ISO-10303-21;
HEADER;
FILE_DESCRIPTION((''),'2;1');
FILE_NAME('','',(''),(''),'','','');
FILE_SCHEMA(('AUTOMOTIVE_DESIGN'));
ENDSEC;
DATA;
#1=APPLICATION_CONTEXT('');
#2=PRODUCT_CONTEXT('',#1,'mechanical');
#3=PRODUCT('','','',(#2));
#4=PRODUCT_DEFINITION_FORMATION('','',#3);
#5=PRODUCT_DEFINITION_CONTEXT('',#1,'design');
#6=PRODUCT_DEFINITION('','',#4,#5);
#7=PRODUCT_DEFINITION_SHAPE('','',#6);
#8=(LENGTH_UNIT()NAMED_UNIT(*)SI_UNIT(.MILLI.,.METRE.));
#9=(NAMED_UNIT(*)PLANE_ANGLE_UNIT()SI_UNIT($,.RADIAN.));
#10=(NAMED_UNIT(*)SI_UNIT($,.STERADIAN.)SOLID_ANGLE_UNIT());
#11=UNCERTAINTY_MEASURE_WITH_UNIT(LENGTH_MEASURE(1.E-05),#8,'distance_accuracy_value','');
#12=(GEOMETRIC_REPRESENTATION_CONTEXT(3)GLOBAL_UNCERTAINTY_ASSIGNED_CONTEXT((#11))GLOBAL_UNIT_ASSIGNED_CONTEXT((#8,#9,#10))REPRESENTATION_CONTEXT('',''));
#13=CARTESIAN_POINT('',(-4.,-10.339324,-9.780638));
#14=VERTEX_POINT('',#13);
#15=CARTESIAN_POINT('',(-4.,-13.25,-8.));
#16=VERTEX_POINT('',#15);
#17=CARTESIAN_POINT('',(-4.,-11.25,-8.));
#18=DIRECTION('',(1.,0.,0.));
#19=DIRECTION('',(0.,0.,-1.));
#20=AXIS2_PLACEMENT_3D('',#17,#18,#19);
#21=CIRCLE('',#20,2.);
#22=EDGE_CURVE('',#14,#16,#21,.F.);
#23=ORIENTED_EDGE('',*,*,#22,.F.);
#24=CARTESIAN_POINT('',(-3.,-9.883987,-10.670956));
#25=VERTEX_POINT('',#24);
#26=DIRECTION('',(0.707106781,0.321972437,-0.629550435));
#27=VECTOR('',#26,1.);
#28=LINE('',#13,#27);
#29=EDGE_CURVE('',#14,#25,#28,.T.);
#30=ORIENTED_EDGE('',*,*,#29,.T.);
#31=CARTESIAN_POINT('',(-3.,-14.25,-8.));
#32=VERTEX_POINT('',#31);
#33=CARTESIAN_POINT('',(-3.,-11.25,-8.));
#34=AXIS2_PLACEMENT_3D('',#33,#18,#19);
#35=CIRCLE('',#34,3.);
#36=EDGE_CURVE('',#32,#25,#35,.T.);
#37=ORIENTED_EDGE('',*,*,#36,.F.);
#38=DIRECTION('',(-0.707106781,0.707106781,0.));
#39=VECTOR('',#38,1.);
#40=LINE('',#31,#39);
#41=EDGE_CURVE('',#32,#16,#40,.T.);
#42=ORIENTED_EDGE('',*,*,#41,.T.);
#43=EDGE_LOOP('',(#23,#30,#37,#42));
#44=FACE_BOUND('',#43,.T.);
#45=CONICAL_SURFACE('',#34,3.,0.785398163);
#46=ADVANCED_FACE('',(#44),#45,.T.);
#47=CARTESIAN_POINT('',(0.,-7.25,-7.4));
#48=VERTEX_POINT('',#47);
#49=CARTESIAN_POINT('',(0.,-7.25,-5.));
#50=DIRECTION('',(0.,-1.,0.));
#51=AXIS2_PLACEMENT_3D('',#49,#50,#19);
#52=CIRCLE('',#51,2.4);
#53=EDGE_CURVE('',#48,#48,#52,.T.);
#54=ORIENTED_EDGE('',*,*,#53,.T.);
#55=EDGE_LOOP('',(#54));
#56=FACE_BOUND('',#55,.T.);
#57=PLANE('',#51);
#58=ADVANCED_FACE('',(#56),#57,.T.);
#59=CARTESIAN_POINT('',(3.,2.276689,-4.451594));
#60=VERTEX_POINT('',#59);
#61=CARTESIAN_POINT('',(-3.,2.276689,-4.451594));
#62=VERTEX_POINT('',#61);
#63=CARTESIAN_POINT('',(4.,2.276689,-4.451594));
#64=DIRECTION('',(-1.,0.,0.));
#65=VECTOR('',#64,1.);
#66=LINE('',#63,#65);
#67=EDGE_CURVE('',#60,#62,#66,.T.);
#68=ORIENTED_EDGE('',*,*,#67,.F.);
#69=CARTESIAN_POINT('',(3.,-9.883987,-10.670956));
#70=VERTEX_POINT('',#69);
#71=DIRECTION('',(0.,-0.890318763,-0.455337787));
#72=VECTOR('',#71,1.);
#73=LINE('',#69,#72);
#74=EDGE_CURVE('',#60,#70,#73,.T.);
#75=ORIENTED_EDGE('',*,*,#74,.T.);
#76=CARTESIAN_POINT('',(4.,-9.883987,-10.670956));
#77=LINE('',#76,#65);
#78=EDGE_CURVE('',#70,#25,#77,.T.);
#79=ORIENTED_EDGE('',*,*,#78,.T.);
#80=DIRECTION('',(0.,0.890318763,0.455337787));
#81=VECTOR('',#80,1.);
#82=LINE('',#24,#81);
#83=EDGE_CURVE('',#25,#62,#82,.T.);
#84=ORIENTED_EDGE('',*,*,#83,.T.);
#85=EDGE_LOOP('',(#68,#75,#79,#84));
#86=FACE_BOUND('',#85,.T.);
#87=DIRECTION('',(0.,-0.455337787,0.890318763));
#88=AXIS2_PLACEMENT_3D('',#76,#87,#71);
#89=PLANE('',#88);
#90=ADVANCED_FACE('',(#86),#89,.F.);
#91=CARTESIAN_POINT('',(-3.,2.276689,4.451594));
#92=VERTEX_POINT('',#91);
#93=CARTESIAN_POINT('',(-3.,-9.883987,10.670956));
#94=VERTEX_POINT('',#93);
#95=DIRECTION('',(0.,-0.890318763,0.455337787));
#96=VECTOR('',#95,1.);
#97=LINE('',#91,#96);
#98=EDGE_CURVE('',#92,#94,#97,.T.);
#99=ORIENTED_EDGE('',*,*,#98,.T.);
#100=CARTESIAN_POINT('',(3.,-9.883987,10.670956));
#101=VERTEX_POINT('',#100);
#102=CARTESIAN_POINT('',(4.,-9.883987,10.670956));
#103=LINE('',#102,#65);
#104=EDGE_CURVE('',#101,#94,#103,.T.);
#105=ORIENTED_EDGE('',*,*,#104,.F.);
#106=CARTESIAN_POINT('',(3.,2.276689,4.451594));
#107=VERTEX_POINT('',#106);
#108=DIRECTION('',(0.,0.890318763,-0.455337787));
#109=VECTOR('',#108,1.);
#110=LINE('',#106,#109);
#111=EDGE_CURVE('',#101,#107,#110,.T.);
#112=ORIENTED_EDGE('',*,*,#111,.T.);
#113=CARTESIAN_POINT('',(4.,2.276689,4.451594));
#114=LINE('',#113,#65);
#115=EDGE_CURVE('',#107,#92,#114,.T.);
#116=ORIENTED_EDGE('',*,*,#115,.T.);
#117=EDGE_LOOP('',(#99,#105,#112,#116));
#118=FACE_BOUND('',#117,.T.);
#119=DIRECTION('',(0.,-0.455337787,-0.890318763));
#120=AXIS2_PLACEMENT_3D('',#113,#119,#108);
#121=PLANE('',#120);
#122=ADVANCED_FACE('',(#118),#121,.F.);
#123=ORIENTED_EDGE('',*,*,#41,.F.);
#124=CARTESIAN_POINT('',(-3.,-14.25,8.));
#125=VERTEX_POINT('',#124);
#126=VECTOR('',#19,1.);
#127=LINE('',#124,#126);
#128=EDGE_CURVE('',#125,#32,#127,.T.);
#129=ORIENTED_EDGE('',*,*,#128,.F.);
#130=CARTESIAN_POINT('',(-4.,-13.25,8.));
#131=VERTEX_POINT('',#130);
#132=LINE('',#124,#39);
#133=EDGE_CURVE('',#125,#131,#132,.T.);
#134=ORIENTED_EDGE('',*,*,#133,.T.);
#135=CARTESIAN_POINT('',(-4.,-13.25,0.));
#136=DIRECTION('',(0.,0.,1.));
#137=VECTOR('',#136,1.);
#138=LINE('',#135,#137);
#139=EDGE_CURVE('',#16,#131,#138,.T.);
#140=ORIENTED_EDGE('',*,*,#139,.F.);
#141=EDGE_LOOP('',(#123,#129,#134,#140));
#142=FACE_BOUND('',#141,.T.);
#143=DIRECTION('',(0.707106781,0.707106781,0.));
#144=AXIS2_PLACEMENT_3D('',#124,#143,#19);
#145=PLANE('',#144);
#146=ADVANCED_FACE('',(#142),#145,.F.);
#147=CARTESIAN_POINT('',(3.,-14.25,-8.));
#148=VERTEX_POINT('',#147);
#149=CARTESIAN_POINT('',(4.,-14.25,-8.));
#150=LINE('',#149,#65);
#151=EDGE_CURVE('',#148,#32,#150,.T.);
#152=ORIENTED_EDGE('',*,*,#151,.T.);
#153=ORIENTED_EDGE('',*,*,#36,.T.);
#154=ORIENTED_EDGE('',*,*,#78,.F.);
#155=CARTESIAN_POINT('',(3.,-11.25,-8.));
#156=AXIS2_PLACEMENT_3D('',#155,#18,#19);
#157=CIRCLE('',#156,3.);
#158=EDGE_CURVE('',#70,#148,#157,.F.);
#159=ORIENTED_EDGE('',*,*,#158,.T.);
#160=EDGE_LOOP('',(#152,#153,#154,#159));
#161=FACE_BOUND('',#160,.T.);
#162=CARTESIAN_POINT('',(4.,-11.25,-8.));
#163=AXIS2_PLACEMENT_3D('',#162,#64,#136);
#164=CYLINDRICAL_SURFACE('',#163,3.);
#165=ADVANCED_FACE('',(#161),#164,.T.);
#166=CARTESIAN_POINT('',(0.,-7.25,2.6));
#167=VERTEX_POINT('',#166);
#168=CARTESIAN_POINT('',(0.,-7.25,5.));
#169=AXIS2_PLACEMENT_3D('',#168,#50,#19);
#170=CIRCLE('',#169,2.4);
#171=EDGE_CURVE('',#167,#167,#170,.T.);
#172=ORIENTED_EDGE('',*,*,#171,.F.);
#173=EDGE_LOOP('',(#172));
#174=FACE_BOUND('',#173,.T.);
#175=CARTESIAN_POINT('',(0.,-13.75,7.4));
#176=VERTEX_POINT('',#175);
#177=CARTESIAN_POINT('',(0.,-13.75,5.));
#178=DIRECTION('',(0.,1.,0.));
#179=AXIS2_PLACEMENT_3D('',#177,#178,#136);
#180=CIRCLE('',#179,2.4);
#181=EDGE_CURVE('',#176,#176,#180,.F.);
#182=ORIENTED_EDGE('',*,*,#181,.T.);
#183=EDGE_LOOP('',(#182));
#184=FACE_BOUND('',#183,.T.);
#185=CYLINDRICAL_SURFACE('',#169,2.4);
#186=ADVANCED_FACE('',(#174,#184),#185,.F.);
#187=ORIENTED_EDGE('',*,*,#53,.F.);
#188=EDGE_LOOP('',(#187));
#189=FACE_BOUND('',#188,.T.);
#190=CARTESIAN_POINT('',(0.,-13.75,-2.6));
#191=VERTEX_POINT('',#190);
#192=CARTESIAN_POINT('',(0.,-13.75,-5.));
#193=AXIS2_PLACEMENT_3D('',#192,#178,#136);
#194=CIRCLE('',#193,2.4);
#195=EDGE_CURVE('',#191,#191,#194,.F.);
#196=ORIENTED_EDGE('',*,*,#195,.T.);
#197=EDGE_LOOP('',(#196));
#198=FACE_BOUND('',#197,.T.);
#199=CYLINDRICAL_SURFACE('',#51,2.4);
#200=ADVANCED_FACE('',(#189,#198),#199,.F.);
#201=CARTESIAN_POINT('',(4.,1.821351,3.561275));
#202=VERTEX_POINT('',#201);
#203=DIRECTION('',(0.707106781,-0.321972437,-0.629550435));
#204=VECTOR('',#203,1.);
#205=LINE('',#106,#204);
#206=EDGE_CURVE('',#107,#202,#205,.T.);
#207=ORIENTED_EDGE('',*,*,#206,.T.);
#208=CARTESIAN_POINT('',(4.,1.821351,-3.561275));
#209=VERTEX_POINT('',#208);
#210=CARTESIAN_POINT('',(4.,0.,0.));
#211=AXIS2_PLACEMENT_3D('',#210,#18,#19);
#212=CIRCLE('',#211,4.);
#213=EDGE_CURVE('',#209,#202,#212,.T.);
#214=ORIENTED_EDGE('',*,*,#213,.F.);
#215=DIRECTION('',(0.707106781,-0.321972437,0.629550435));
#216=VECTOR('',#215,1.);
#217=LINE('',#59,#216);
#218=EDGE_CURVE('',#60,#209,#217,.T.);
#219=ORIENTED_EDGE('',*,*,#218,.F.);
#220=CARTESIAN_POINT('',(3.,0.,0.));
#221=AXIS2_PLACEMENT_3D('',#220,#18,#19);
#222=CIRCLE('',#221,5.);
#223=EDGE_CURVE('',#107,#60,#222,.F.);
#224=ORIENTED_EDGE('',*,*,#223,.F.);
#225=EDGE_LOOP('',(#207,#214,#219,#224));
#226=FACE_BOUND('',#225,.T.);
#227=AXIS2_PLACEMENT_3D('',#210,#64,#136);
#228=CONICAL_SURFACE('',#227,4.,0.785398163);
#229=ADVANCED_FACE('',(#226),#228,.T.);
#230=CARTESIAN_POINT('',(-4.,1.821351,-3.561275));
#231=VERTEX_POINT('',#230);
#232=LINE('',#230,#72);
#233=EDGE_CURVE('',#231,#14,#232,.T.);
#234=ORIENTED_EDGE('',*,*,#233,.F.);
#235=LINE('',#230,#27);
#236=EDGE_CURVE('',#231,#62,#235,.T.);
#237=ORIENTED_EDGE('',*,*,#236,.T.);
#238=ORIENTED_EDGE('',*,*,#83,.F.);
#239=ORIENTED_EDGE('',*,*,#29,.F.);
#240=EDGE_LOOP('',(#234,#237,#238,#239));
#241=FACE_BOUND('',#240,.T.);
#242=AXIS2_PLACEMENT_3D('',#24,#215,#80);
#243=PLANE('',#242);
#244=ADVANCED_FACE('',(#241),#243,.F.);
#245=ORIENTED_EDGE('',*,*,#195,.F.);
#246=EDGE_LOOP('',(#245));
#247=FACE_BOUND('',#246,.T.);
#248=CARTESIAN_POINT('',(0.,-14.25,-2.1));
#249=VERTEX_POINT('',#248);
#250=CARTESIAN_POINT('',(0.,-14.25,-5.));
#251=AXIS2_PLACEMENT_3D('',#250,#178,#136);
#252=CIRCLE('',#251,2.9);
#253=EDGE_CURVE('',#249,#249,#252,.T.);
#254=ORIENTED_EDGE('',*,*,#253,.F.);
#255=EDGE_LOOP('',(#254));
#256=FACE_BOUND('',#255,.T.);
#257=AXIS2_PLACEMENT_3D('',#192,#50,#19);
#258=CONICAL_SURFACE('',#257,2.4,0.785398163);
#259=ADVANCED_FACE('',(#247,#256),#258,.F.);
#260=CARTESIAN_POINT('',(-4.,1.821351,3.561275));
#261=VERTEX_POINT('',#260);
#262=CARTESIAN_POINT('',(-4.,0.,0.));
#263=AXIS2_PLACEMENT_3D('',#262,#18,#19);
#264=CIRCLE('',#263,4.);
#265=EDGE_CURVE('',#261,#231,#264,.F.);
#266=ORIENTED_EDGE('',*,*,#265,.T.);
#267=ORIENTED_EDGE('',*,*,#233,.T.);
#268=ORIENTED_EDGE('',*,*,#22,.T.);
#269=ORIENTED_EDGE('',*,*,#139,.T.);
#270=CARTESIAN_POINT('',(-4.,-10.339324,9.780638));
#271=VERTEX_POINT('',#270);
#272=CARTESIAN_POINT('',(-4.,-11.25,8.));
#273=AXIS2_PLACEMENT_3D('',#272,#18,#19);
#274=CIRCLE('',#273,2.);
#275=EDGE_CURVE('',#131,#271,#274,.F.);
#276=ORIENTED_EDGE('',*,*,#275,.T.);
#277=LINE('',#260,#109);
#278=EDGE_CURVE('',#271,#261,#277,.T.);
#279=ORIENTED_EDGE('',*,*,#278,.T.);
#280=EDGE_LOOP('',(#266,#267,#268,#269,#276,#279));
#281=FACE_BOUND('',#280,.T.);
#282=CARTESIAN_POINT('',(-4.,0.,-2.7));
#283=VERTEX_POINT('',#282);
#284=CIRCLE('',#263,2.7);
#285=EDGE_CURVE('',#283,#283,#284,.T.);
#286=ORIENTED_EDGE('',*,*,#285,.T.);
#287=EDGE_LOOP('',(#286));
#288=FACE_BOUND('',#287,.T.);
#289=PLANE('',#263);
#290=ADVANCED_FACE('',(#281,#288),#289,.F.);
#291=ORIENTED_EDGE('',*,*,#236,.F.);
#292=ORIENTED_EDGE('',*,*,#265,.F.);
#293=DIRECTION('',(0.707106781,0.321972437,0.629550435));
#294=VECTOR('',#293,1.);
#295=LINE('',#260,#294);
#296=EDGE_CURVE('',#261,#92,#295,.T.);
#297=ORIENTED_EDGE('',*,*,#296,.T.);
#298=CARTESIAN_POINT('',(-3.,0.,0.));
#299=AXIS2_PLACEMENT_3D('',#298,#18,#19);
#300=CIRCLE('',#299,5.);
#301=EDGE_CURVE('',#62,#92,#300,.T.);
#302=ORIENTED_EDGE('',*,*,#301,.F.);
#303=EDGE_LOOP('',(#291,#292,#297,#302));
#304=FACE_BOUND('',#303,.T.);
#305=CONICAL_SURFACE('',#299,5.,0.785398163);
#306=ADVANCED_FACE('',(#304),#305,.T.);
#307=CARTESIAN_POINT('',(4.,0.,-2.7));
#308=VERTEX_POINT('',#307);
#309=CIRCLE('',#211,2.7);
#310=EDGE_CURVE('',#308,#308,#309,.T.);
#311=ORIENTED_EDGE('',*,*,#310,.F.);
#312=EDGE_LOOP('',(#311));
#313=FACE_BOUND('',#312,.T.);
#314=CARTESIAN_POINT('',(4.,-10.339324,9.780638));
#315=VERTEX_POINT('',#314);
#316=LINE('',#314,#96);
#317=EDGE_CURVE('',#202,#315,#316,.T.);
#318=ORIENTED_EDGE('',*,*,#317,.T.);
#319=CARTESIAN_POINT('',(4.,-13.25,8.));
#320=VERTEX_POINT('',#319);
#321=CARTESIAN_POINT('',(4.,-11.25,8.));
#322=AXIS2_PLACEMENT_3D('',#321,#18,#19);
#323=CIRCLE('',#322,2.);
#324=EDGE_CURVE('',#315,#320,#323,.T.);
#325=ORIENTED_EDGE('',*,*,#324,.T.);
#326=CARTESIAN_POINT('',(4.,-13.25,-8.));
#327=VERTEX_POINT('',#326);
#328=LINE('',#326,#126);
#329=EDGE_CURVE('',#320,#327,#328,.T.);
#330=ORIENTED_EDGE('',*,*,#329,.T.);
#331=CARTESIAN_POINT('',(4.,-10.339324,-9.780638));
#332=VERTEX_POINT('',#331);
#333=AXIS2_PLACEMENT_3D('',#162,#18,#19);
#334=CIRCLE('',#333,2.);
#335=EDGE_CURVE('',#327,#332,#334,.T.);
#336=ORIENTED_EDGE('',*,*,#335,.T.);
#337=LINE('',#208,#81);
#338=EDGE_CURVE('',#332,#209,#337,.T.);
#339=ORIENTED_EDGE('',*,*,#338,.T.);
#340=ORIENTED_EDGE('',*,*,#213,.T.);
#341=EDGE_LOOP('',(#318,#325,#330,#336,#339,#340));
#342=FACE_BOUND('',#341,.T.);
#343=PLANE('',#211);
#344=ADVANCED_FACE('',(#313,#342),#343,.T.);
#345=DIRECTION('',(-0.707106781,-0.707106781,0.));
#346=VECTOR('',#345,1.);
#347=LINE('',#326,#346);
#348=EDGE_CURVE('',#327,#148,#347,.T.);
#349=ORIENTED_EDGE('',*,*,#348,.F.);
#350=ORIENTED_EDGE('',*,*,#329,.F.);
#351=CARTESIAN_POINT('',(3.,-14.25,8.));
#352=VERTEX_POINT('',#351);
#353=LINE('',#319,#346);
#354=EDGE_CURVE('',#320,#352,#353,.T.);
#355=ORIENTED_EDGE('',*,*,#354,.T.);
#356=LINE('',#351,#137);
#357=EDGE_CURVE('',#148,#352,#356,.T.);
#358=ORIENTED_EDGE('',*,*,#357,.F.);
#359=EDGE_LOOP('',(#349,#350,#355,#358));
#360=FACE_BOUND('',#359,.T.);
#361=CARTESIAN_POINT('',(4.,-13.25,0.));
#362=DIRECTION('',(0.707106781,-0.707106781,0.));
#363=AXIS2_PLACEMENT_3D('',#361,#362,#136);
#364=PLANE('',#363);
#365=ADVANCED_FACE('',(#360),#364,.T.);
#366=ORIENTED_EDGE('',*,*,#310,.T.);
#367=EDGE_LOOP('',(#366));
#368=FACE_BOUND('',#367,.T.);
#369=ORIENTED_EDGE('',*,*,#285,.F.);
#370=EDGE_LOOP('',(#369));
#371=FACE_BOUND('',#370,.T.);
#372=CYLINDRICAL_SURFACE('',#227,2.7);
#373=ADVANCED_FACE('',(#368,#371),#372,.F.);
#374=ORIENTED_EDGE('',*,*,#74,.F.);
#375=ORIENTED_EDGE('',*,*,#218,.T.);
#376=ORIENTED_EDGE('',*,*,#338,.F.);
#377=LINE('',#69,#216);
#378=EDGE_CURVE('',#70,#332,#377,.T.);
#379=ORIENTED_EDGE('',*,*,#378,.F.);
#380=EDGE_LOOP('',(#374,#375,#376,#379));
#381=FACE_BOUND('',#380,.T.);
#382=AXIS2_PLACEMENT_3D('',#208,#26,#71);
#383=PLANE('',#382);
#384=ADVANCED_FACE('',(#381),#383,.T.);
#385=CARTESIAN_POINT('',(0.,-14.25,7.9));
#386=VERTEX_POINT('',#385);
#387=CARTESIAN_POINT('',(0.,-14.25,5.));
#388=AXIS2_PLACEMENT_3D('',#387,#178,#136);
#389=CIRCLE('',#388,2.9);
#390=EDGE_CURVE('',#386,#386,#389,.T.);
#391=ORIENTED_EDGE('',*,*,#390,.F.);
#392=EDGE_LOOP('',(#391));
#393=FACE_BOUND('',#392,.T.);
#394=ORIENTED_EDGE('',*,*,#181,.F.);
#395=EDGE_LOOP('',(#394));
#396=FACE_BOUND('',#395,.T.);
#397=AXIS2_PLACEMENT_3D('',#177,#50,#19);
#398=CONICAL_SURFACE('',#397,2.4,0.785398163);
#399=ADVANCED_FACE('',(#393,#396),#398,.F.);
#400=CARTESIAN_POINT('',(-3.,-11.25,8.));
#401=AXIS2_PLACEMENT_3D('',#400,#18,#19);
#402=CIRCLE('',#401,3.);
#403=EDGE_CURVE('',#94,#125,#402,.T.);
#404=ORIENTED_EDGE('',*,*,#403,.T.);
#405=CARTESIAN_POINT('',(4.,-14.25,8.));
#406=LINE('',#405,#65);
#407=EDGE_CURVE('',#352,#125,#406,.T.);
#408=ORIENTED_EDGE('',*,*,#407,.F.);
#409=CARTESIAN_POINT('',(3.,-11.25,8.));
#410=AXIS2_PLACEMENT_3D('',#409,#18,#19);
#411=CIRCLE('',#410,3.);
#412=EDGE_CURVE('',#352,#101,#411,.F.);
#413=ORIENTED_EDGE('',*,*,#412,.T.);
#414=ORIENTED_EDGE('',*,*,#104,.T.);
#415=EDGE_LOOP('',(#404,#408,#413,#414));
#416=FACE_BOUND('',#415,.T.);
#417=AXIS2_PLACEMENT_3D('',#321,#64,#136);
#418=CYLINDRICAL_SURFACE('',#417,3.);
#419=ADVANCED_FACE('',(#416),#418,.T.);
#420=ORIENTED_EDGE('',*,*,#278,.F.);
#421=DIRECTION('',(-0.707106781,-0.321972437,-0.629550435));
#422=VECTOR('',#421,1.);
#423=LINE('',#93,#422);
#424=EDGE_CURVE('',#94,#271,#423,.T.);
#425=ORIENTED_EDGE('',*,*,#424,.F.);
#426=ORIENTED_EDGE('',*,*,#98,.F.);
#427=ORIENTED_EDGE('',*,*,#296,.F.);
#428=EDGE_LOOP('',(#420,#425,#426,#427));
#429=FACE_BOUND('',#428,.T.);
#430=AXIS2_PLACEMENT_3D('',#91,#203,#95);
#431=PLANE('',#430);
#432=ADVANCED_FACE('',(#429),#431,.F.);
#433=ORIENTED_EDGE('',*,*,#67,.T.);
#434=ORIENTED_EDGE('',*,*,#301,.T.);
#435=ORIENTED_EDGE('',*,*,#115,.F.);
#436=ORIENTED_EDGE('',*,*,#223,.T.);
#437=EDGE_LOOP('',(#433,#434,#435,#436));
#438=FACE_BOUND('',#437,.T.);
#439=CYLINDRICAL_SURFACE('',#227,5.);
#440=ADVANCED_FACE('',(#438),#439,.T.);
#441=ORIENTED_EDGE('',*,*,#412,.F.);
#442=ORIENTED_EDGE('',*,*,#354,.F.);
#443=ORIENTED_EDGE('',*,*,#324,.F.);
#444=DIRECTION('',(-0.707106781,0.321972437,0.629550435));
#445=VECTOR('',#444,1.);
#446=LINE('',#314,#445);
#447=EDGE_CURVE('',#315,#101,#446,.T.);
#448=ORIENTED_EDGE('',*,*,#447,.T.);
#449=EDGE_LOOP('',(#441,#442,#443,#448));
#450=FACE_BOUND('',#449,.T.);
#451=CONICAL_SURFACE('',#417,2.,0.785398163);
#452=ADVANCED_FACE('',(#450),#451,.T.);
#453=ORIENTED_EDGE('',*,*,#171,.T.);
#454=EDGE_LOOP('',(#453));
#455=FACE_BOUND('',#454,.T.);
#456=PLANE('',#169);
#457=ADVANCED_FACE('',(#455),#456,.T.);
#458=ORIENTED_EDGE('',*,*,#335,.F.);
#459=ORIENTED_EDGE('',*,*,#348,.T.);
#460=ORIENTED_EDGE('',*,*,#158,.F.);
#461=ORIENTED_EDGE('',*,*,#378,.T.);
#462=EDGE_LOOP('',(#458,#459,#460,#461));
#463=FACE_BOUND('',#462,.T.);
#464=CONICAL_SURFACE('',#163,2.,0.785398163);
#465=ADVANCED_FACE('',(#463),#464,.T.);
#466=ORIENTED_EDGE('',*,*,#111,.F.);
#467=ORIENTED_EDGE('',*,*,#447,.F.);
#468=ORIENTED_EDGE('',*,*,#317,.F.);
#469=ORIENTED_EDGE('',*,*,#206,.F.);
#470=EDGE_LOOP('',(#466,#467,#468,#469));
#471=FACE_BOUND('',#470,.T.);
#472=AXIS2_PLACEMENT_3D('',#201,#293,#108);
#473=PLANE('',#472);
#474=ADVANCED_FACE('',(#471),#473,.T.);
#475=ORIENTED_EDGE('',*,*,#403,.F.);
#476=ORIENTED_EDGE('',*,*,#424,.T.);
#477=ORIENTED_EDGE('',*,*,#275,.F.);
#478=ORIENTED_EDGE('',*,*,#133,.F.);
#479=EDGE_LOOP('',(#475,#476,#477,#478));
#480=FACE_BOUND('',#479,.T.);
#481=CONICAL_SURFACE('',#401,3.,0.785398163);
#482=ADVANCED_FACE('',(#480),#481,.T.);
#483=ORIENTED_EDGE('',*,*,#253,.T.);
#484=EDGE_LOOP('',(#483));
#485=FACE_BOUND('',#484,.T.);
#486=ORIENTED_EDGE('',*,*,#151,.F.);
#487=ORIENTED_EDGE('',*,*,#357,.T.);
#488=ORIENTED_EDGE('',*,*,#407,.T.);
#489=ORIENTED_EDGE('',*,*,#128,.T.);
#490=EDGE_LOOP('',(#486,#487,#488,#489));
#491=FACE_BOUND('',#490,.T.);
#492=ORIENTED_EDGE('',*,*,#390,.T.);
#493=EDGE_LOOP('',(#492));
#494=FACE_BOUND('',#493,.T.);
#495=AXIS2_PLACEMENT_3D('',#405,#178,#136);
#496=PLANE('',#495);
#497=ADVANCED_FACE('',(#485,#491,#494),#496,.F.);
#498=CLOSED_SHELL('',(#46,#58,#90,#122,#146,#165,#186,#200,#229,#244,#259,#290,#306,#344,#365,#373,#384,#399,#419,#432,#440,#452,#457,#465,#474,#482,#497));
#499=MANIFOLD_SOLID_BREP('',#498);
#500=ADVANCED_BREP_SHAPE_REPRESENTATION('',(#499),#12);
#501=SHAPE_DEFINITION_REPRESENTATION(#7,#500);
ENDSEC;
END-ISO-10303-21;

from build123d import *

# Parameters (mm, degrees)
SKETCH1_R           = 2.7
BOSS_EXTRUDE1_DEPTH = 4
CHAMFER1_SIZE       = 1
SKETCH3_R           = 2.4
CUT_EXTRUDE1_DEPTH  = 7
CHAMFER2_SIZE       = 0.5


with BuildPart() as part:
    # Sketch1 → Boss-Extrude1 (new, symmetric)
    with BuildSketch(Plane(origin=(0, 0, 0), x_dir=(0, 0, -1), z_dir=(1, 0, 0))):
        with BuildLine():
            Line((-4.451593815, 2.276688935), (-10.670956289, -9.883986639))
            ThreePointArc((-10.670956289, -9.883986639), (-10.559105321, -12.815560589), (-8, -14.25))
            Line((-8, -14.25), (8, -14.25))
            ThreePointArc((8, -14.25), (10.559105321, -12.815560589), (10.670956289, -9.883986639))
            Line((10.670956289, -9.883986639), (4.451593815, 2.276688935))
            ThreePointArc((4.451593815, 2.276688935), (0, 5), (-4.451593815, 2.276688935))
        make_face()
        Circle(SKETCH1_R, mode=Mode.SUBTRACT)
    extrude(amount=BOSS_EXTRUDE1_DEPTH, both=True)

    # Chamfer1
    chamfer1_edges = [part.edges().sort_by_distance(p)[0] for p in [
        (4, -12.815560589, 10.559105321),
        (4, -14.25, 0),
        (4, -12.815560589, -10.559105321),
        (4, -3.803648852, -7.561275052),
        (4, 5, 0),
        (-4, -3.803648852, -7.561275052),
        (-4, -12.815560589, -10.559105321),
        (-4, -14.25, 0),
        (-4, -12.815560589, 10.559105321),
        (-4, -3.803648852, 7.561275052),
        (-4, 5, 0),
        (4, -3.803648852, 7.561275052),
    ]]
    chamfer(chamfer1_edges, length=CHAMFER1_SIZE)

    # Sketch3 → Cut-Extrude1 (cut)
    with BuildSketch(Plane.XZ.offset(14.25)):
        with Locations(Location((0, 5, 0), (0, 0, 270))):
            Circle(SKETCH3_R)
        with Locations(Location((0, -5, 0), (0, 0, 270))):
            Circle(SKETCH3_R)
    extrude(amount=-CUT_EXTRUDE1_DEPTH, mode=Mode.SUBTRACT)

    # Chamfer2
    chamfer2_edges = [part.edges().sort_by_distance(p)[0] for p in [
        (0, -14.25, 7.4),
        (0, -14.25, -2.6),
    ]]
    chamfer(chamfer2_edges, length=CHAMFER2_SIZE)


solid = part.part
